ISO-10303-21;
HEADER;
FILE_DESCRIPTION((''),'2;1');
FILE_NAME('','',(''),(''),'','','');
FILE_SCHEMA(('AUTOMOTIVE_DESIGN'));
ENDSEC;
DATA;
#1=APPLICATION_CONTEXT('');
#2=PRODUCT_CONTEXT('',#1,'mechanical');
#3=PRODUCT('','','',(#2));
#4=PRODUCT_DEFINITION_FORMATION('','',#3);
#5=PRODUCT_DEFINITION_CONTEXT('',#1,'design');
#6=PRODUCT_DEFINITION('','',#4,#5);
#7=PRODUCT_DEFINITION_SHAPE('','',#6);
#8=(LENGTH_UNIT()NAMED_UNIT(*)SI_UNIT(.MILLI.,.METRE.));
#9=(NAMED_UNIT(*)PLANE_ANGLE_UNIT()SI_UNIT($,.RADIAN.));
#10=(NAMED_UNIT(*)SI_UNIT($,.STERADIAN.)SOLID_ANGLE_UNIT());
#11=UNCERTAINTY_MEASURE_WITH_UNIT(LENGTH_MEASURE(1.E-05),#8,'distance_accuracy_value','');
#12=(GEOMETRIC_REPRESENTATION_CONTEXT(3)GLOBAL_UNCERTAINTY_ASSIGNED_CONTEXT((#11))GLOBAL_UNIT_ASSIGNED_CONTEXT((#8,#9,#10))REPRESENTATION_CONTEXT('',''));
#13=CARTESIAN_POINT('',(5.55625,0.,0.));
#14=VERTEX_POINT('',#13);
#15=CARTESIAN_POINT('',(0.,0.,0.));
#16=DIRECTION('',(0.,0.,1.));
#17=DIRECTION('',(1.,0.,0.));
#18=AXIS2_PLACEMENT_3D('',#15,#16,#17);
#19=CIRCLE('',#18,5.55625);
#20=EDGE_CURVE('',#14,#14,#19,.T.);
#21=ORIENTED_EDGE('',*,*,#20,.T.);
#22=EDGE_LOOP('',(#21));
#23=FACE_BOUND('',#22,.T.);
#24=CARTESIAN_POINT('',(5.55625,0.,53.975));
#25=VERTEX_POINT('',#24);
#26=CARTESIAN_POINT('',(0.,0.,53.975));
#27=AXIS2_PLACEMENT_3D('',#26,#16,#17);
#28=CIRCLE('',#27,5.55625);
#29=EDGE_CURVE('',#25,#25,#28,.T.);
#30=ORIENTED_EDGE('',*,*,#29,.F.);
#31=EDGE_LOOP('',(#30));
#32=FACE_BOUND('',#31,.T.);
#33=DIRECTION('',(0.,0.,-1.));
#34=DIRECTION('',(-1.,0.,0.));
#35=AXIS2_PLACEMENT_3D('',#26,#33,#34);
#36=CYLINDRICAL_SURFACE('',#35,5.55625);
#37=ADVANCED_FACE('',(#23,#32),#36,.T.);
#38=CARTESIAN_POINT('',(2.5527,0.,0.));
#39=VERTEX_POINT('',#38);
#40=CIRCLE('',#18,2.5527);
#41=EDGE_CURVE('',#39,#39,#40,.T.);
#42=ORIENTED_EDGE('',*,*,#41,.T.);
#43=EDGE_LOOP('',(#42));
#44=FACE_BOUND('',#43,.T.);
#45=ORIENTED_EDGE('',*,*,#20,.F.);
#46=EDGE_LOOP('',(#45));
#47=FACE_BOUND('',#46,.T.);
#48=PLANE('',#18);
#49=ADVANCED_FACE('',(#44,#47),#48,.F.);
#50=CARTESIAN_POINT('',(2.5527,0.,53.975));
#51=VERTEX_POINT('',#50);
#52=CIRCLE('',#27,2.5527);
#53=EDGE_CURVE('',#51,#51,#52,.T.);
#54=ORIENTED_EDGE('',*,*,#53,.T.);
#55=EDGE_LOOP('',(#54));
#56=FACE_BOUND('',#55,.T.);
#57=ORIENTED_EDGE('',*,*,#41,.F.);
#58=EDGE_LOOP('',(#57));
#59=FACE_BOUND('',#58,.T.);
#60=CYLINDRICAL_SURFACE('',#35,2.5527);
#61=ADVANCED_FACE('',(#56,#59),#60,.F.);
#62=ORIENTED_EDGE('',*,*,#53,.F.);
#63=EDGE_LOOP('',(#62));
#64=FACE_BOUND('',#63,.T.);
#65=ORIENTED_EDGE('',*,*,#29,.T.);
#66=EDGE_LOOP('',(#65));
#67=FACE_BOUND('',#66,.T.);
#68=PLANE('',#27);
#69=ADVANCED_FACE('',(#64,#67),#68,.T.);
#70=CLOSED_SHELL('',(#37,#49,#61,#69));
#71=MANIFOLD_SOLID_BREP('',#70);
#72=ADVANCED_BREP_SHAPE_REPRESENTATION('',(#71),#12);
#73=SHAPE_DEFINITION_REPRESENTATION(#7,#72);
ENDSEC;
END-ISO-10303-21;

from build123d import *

# Parameters (mm, degrees)
SKETCH1_R           = 5.55625
SKETCH1_R_2         = 2.5527
BOSS_EXTRUDE1_DEPTH = 53.975


with BuildPart() as part:
    # Sketch1 → Boss-Extrude1 (new body)
    with BuildSketch(Plane.XY):
        Circle(SKETCH1_R)
        Circle(SKETCH1_R_2, mode=Mode.SUBTRACT)
    extrude(amount=BOSS_EXTRUDE1_DEPTH)


solid = part.part
